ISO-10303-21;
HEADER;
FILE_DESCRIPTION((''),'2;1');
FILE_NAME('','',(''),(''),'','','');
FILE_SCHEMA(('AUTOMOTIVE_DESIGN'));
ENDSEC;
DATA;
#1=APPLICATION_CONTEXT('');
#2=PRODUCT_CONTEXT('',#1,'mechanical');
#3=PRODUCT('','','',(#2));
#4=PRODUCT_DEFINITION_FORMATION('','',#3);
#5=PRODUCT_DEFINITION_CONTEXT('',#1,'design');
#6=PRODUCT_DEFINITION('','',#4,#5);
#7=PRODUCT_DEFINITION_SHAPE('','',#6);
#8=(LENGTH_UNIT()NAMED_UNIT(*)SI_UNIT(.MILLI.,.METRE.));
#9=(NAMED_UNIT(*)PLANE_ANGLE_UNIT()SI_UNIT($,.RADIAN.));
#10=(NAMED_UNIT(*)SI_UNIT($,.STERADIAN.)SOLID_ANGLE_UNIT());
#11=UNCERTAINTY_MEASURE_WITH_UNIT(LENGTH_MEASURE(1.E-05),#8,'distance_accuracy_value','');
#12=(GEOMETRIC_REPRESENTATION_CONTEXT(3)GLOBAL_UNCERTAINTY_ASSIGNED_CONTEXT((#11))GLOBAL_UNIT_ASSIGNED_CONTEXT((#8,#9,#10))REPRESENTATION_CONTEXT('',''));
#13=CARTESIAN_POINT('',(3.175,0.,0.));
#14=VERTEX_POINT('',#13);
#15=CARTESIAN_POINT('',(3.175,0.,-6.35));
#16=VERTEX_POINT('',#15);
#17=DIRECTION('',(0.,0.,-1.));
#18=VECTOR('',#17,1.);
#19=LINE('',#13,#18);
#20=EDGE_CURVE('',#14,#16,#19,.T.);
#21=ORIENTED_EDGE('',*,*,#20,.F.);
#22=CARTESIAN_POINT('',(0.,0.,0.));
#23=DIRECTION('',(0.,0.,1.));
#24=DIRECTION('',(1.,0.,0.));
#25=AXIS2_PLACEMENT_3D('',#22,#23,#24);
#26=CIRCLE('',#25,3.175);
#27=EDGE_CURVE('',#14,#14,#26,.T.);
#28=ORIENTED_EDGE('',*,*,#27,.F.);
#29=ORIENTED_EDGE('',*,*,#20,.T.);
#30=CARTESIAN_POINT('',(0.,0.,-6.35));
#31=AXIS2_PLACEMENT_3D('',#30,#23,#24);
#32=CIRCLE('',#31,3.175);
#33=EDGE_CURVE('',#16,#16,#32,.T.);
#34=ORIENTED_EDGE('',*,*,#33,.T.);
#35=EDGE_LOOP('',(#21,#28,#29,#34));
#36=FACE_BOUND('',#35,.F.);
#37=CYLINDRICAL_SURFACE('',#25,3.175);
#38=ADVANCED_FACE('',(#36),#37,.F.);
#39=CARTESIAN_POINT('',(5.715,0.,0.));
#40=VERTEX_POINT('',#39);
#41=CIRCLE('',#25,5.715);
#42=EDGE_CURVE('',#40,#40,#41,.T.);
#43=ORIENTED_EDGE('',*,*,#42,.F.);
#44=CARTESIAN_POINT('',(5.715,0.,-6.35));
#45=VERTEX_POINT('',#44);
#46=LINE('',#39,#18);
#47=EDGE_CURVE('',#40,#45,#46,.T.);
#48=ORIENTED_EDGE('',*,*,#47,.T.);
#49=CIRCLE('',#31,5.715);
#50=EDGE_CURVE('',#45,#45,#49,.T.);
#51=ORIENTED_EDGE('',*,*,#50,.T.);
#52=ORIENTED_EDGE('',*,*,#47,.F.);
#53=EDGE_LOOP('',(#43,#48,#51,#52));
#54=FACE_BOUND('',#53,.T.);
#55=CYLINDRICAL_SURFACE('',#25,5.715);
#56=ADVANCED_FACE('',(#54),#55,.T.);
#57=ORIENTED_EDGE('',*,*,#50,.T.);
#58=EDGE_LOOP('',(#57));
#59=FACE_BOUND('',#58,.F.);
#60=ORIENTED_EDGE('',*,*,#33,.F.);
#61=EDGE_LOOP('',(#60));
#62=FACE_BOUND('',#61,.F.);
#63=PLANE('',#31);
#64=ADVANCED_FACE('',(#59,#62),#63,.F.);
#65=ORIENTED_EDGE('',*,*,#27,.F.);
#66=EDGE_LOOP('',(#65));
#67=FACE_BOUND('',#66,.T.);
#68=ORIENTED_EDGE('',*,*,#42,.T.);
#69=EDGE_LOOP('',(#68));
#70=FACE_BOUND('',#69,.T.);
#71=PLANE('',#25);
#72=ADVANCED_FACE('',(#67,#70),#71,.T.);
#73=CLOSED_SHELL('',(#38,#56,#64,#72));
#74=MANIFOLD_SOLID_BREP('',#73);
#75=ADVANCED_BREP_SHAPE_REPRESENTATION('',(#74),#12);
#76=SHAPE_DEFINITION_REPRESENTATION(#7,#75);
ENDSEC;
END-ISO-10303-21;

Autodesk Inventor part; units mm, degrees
ref_plane "YZ Plane" through (0, 0, 0) normal (1, 0, 0) x (0, 1, 0)
ref_plane "XZ Plane" through (0, 0, 0) normal (0, 1, 0) x (-1, 0, 0)
ref_plane "XY Plane" through (0, 0, 0) normal (0, 0, 1) x (1, 0, 0)
sketch "Sketch1" plane through (0, 0, 0) normal (0, 0, 1) x (1, 0, 0)
  circle A0 centre (0, 0) radius 5.715
  circle A1 centre (0, 0) radius 3.175
  dimension "d0" = 11.43
  dimension "d1" = 6.35
extrude "Extrusion1" add sketch "Sketch1" against normal blind 6.35
properties part number "HitchMagnet"
